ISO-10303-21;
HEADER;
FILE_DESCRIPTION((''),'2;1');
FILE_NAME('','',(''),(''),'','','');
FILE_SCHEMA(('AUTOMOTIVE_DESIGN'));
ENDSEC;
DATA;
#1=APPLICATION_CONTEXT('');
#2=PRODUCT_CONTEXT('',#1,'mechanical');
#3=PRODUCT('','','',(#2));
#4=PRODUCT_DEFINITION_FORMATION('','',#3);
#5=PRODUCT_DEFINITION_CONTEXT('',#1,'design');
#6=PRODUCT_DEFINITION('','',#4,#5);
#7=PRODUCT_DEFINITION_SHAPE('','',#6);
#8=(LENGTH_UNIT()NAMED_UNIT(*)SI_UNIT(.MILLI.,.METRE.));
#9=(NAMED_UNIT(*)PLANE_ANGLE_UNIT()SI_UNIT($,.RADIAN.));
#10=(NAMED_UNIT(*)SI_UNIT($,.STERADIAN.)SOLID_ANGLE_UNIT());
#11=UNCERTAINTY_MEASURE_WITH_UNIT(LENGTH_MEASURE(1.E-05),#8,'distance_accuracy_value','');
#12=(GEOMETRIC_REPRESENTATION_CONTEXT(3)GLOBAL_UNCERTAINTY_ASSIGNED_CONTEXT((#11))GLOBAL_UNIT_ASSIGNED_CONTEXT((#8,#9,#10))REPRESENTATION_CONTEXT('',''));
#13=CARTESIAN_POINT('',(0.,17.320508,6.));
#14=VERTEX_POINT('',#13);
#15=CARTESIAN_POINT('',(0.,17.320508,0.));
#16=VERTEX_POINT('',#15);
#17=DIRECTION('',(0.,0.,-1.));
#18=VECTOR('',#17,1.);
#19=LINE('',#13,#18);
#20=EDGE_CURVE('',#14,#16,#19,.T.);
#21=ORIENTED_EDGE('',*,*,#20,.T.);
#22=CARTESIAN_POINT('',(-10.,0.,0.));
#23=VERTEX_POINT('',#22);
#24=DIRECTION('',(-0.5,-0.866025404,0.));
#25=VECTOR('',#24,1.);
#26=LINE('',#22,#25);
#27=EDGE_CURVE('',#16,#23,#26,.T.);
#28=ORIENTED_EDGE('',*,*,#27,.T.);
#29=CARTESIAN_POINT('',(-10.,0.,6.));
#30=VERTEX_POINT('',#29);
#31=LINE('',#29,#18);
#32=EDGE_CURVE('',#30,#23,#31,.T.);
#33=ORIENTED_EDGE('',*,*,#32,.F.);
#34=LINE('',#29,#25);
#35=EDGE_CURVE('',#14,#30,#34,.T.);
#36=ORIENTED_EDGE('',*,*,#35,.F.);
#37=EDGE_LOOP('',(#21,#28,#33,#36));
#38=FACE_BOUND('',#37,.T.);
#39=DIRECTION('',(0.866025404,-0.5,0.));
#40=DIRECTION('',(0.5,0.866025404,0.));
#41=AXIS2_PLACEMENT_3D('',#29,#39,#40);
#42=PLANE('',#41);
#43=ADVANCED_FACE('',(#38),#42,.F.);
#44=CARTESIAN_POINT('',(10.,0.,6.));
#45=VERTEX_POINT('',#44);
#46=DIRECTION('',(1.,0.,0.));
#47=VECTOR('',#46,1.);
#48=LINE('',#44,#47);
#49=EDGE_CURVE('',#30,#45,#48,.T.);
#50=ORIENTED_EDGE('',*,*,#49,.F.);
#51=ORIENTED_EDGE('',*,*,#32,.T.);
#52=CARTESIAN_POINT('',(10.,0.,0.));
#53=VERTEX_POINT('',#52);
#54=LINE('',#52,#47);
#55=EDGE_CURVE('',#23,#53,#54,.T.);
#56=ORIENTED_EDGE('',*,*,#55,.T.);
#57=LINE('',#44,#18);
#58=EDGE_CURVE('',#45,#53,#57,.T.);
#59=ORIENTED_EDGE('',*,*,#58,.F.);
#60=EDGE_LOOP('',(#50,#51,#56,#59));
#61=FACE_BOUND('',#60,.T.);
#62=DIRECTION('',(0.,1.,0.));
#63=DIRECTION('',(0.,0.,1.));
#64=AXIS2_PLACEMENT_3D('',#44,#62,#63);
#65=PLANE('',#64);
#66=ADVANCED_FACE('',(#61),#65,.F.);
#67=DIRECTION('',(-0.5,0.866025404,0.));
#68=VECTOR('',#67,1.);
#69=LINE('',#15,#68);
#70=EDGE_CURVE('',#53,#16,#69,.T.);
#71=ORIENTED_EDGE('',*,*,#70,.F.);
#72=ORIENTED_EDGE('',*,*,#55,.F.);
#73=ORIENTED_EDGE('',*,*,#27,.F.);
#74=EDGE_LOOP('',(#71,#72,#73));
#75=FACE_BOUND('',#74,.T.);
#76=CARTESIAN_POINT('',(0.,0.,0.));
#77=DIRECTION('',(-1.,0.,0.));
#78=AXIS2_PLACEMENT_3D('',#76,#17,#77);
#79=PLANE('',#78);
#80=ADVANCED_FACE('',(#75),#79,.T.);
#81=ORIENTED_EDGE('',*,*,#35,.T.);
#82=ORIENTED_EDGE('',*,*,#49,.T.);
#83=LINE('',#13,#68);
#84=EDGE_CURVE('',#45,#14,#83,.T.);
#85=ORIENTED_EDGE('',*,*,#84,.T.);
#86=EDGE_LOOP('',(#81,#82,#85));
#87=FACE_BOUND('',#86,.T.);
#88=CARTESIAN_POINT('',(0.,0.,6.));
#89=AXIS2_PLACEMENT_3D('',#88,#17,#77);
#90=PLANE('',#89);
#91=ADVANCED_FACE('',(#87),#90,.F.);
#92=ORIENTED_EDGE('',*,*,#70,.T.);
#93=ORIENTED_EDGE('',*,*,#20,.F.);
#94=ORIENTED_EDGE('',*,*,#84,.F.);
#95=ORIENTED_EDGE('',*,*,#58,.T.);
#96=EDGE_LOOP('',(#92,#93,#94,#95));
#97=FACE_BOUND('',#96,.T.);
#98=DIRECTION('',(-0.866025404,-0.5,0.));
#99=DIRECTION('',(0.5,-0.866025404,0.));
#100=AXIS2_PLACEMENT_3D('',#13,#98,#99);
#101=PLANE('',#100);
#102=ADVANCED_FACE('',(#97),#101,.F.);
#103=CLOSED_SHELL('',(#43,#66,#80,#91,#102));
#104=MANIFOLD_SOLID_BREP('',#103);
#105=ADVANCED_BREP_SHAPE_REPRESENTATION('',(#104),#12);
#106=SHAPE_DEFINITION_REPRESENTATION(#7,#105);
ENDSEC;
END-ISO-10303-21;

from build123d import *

# Parameters (mm, degrees)
BOSS_EXTRUDE1_DEPTH = 6


with BuildPart() as part:
    # Sketch1 → Boss-Extrude1 (new body)
    with BuildSketch(Plane.XY):
        Polygon((0, 17.320508076), (10, 0), (-10, 0), align=None)
    extrude(amount=BOSS_EXTRUDE1_DEPTH)


solid = part.part
